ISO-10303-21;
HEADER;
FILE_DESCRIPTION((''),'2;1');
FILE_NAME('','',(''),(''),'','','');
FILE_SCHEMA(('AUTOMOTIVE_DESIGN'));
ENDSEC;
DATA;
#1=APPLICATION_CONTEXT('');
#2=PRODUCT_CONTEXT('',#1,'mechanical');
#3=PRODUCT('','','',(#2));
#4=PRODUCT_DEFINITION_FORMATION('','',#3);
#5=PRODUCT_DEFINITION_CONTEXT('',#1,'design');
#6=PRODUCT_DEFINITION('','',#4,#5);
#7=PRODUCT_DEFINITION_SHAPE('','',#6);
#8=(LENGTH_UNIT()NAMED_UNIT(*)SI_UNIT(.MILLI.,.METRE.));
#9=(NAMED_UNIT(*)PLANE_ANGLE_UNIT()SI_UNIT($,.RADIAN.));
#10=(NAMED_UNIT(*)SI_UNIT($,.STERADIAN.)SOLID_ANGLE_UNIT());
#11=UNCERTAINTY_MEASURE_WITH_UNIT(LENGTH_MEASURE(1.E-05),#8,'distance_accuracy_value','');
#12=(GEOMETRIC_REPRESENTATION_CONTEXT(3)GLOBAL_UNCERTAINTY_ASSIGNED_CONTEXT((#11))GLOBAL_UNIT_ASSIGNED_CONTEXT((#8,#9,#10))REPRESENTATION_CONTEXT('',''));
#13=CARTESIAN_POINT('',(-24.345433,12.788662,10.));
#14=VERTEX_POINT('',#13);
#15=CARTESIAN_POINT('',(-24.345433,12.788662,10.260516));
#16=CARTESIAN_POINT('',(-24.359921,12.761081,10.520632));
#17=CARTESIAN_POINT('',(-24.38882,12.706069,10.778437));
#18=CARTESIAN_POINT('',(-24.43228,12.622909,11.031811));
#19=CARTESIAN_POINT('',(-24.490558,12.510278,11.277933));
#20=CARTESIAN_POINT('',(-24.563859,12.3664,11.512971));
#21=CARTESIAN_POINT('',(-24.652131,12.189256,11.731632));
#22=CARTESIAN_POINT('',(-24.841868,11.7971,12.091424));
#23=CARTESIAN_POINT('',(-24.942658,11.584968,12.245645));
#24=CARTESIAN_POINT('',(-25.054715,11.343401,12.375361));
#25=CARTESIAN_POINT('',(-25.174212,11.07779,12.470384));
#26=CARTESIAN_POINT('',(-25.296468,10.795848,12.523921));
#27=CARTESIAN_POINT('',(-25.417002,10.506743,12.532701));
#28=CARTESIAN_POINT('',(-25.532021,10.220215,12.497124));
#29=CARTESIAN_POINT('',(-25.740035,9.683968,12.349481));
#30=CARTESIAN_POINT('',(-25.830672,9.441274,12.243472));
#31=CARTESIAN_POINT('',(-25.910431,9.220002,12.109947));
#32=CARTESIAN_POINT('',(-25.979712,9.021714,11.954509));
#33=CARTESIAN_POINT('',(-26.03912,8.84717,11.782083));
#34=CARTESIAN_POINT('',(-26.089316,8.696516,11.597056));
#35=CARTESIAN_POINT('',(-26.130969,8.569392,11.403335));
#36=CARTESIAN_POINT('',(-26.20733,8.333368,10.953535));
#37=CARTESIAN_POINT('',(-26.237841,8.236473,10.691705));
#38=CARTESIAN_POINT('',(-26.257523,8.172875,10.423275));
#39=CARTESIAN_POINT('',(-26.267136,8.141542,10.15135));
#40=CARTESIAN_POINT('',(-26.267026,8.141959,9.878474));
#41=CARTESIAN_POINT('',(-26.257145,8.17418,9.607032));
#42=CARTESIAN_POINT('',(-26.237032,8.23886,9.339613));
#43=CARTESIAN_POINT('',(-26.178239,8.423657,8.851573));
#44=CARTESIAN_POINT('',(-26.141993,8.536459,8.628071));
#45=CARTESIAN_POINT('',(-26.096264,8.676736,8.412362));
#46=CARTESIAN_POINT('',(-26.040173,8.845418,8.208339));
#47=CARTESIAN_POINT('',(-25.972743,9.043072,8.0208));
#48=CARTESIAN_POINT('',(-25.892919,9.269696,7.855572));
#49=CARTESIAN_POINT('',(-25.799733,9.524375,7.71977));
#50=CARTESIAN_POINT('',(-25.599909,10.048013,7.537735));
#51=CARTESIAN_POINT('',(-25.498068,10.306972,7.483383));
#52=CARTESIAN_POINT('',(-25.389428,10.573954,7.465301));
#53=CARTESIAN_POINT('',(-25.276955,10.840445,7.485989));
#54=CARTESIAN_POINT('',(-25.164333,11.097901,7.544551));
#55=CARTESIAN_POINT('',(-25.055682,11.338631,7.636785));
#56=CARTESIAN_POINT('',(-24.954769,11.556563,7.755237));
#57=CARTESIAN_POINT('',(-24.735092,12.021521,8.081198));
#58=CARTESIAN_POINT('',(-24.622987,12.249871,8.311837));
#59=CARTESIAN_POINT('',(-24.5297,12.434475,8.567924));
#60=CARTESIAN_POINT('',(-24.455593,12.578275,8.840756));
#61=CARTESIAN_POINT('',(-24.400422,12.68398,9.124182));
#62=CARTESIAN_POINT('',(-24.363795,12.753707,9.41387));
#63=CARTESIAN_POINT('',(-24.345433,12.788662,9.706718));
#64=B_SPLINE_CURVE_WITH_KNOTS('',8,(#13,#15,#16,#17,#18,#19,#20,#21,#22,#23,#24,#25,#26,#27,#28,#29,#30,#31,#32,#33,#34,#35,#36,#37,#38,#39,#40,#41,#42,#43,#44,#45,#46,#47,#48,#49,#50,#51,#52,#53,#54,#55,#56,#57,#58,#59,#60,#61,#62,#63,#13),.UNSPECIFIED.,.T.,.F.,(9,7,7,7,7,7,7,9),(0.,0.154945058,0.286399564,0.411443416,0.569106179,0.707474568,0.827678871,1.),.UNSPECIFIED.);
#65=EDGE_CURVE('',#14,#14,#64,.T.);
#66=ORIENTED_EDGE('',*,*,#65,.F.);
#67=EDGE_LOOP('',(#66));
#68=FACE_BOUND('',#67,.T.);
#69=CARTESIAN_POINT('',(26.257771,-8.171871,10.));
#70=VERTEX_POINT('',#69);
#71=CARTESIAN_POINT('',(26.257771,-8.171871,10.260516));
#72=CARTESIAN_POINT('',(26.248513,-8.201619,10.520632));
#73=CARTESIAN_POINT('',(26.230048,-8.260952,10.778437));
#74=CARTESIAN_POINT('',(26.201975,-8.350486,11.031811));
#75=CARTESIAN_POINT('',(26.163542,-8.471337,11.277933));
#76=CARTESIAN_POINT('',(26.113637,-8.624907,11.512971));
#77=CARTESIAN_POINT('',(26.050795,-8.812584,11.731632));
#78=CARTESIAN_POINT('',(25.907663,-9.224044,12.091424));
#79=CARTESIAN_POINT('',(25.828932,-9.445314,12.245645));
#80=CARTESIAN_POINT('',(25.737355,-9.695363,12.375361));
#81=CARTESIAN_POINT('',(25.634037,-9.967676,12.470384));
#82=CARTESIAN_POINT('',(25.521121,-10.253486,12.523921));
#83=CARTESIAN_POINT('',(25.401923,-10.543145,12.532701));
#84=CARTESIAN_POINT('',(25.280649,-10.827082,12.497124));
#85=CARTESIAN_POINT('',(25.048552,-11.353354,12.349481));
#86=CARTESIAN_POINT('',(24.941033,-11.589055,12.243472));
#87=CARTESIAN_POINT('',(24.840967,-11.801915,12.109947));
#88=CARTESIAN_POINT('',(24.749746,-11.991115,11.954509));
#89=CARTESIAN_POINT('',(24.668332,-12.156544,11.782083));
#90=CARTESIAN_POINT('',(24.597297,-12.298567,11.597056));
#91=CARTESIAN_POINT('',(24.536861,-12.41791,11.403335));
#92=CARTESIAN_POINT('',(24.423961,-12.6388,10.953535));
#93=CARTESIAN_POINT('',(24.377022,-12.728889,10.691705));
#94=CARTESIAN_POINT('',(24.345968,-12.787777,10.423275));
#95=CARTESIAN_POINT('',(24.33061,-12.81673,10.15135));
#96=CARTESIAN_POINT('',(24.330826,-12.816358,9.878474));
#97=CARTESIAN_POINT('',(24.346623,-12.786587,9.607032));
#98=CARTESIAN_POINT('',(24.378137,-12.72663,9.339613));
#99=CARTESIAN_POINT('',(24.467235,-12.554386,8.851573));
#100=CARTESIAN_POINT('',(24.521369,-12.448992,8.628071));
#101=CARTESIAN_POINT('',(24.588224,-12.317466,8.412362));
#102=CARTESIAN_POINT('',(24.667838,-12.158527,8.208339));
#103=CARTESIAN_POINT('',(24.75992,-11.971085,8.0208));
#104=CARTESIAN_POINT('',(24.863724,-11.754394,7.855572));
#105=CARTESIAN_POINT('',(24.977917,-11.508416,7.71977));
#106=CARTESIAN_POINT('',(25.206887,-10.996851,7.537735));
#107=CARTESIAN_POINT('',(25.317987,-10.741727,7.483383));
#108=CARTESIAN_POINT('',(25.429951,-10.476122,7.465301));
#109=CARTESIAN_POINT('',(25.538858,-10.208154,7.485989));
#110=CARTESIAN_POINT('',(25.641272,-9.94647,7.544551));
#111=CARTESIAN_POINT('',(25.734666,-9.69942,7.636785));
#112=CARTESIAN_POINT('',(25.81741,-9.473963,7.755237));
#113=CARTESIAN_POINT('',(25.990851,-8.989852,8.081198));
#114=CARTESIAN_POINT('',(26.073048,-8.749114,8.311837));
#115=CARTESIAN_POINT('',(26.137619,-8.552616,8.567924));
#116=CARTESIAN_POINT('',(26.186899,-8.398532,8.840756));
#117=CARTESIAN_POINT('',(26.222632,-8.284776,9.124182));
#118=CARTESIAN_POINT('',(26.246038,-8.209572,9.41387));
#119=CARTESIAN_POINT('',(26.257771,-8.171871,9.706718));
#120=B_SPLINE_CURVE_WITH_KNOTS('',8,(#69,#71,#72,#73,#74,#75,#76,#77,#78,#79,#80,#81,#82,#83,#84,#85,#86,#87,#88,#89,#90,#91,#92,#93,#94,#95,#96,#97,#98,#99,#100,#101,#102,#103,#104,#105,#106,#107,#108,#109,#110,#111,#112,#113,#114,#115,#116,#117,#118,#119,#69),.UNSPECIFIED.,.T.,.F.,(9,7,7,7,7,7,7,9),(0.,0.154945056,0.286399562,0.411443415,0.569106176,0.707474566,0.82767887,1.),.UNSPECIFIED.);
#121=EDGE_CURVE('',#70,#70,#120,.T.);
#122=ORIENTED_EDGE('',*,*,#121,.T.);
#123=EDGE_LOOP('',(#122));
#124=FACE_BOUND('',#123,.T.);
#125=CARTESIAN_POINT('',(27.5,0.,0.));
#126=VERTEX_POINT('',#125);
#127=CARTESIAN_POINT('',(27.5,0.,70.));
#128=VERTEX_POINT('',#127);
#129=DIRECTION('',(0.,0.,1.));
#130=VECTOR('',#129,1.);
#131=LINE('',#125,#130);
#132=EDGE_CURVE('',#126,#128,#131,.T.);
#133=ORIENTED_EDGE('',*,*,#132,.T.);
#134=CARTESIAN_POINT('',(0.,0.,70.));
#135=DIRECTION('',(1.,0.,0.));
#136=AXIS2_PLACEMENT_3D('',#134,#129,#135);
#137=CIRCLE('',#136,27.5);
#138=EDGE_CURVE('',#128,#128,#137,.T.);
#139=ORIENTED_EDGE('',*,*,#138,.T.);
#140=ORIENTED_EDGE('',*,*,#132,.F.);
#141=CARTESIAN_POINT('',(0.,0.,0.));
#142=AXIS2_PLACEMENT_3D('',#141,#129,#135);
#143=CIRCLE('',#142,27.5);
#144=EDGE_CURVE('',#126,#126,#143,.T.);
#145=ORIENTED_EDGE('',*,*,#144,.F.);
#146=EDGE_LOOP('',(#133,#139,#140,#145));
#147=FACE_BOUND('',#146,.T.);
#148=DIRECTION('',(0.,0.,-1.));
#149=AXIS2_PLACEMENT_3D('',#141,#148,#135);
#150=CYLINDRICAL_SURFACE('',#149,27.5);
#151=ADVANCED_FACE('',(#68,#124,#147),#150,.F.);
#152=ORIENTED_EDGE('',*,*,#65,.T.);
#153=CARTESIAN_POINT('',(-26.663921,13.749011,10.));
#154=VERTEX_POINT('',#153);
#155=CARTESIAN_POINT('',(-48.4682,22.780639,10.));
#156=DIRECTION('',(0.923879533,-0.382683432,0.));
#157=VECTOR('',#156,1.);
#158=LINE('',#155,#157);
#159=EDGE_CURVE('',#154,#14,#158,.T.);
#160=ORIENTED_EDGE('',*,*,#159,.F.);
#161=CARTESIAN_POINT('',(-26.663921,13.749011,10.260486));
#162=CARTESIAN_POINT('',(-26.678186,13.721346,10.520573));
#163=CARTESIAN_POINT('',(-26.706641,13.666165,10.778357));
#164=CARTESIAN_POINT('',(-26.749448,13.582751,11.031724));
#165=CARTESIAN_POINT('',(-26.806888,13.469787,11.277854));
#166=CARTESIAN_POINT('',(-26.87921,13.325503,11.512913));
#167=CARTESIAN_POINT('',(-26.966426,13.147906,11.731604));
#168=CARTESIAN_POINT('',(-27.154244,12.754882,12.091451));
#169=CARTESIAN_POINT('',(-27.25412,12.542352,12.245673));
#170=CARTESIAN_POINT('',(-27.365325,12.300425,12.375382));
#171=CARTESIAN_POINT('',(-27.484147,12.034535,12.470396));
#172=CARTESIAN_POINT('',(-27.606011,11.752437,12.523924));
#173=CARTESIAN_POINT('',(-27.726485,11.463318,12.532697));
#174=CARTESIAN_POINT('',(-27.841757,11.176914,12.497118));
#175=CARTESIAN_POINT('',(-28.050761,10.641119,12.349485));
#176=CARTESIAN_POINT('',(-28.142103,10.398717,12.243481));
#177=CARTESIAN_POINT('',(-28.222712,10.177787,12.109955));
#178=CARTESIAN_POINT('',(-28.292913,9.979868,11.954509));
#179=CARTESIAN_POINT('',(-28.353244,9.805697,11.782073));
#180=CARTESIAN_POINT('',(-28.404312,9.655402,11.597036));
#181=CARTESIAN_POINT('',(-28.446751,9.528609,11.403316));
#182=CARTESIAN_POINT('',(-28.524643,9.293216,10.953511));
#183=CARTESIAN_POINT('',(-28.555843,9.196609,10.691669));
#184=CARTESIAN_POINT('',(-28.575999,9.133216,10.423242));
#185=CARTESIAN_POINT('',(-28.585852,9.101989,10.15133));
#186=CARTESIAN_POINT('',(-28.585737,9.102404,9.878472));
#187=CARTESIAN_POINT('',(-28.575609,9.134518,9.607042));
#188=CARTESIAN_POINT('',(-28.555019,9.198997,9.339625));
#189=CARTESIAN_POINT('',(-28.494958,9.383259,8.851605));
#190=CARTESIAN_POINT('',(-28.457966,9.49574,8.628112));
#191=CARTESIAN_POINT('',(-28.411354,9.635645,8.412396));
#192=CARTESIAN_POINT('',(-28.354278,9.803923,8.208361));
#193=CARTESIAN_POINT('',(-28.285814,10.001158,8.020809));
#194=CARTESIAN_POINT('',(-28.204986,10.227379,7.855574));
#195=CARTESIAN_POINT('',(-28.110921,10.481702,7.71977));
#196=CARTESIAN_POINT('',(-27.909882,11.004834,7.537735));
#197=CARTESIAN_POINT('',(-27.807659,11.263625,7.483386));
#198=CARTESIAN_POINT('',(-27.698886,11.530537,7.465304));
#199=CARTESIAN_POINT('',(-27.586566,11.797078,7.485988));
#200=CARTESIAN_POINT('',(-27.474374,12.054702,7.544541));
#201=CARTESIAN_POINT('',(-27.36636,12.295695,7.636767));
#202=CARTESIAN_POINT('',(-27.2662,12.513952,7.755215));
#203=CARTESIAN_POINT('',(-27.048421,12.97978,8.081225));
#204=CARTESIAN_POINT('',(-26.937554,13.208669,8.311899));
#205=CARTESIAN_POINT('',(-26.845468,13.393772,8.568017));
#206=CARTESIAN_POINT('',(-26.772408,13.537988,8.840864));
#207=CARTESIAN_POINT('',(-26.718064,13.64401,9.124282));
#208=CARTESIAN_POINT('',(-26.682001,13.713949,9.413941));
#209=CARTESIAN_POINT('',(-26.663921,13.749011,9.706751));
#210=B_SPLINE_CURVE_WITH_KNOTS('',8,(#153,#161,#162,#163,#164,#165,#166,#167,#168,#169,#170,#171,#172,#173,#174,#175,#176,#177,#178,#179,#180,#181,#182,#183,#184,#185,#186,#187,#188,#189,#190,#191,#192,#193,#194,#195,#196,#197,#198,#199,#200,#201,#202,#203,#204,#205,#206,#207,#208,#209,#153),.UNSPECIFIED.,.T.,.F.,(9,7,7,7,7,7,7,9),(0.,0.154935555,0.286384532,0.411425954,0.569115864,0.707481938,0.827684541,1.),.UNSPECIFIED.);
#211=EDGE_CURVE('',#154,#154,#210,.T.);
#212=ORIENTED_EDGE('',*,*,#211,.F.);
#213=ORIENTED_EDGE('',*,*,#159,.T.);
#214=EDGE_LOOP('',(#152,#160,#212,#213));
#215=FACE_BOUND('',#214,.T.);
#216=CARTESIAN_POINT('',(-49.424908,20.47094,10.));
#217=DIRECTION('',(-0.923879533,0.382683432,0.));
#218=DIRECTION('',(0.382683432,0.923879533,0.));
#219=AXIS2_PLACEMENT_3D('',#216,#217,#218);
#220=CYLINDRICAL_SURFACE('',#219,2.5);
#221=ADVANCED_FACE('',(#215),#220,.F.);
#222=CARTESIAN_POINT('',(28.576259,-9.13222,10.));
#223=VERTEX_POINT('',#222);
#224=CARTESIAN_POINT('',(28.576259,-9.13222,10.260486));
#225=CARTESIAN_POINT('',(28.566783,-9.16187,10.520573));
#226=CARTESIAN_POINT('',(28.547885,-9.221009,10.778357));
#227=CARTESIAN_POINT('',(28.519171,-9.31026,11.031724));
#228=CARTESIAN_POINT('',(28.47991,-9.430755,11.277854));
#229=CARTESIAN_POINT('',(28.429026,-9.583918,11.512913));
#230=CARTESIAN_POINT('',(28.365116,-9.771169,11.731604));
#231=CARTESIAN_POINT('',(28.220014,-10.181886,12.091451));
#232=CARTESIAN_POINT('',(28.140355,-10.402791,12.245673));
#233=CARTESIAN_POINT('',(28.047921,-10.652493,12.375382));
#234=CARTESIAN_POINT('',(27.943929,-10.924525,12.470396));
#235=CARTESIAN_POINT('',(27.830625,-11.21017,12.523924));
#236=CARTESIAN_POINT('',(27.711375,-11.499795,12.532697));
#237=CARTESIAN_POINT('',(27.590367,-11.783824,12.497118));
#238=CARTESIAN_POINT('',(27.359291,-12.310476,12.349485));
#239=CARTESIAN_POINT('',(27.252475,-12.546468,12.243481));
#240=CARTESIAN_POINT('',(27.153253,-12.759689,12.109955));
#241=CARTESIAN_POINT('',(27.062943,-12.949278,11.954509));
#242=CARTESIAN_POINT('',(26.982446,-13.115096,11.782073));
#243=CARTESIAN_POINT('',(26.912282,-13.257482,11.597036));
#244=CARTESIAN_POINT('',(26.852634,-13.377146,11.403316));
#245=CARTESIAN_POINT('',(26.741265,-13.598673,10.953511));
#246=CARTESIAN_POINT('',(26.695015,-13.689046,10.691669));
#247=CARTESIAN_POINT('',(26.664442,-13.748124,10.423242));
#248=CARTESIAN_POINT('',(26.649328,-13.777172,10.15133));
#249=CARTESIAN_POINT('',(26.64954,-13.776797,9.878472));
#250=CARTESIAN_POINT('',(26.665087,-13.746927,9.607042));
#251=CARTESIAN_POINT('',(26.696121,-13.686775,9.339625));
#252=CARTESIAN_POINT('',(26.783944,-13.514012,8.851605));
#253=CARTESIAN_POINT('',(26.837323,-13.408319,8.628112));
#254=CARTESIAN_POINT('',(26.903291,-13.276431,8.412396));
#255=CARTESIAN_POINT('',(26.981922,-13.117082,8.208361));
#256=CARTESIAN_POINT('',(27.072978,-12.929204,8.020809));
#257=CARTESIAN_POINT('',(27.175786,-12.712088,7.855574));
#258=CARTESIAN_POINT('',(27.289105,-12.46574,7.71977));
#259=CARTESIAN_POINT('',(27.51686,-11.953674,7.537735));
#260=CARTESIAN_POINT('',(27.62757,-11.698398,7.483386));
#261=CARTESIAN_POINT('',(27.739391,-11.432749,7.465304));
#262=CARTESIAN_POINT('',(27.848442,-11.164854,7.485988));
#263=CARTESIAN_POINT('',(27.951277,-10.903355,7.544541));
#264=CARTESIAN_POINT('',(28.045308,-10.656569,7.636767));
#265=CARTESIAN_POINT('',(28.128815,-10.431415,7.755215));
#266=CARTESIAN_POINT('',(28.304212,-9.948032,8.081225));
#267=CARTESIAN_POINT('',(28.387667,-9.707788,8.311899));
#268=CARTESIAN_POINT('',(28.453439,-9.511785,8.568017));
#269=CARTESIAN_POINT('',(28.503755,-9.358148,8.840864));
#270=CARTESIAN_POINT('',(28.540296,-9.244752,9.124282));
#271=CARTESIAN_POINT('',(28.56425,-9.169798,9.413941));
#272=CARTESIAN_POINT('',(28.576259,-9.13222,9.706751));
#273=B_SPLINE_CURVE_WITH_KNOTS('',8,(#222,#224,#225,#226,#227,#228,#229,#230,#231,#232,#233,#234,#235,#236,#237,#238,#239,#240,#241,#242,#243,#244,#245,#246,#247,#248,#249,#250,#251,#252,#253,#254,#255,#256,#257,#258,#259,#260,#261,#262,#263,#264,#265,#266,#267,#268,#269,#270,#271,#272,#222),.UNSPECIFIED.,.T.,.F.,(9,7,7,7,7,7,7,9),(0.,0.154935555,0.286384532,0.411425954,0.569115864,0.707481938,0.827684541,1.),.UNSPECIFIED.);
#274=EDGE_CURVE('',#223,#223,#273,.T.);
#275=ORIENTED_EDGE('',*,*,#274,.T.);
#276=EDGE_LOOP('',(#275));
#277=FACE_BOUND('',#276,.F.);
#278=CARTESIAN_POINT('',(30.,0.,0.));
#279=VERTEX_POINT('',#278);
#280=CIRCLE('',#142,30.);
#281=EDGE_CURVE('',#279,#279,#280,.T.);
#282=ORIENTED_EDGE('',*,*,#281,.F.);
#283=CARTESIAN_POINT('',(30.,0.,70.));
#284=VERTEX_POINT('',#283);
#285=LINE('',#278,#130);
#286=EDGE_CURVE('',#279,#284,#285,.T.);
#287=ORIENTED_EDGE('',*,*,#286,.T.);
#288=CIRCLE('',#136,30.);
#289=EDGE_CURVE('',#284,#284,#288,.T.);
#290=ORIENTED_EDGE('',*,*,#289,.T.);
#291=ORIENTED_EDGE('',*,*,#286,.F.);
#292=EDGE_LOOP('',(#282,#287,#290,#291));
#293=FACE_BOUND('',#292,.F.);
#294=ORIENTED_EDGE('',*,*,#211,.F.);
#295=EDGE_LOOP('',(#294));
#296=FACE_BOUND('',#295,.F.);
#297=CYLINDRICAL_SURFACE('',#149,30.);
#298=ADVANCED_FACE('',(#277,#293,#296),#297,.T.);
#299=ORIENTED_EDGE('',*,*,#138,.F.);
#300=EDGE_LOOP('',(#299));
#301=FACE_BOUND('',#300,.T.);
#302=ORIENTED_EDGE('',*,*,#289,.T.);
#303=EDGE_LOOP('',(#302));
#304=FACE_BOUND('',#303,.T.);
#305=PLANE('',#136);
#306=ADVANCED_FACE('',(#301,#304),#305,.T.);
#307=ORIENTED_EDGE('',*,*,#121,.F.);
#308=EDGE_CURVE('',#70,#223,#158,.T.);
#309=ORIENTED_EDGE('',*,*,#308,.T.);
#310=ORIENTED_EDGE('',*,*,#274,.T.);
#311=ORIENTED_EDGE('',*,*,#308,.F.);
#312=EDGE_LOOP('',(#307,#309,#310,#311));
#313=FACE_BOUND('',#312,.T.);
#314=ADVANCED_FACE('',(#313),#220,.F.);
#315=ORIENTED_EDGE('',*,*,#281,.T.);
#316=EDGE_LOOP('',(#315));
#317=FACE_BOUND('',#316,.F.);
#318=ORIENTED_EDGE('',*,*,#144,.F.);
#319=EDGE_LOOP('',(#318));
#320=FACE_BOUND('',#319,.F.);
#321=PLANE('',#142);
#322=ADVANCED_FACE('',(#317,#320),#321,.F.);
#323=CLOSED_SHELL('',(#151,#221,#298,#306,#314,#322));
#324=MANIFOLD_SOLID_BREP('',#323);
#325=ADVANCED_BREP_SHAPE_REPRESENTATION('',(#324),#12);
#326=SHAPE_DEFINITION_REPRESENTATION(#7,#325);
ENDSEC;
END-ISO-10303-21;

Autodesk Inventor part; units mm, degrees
ref_plane "YZ Plane" through (0, 0, 0) normal (1, 0, 0) x (0, 1, 0)
ref_plane "XZ Plane" through (0, 0, 0) normal (0, 1, 0) x (-1, 0, 0)
ref_plane "XY Plane" through (0, 0, 0) normal (0, 0, 1) x (1, 0, 0)
sketch "Sketch1" plane through (0, 0, 0) normal (0, 0, 1) x (1, 0, 0)
  circle A0 centre (0, 0) radius 27.5
  circle A1 centre (0, 0) radius 30
  dimension "d0" = 55
  dimension "d1" = 60
extrude "Extrusion1" add sketch "Sketch1" along normal blind 70
ref_plane "Work Plane1" through (-98.6132, -98.2801, 30) normal (0.9239, -0.3827, 0) x (0.3827, 0.9239, 0)
ref_plane "Work Plane2" through (-98.6132, -98.2801, 30) normal (0.9239, -0.3827, 0) x (0.3827, 0.9239, 0)
sketch "Sketch2" plane through (-98.6132, -98.2801, 30) normal (0.9239, -0.3827, 0) x (0.3827, 0.9239, 0)
  circle A0 centre (128.5352, -20) radius 2.5
  line L0 (158.5352, -30) -> (98.5352, -30) projected
  point P0 (128.5352, -30)
  dimension "d4" = 5
  dimension "d5" = 10
extrude "Extrusion2" cut sketch "Sketch2" along normal through all
equation "\"ProductBaseHeight\" = 35"
equation "\"GridProcutClearance\" = 3"
equation "\"GridBorderThickness\" = 5"
equation "\"GridBorderFillets\" = 7"
equation "\"GridTotalSize\" = 63"
equation "\"BaseTotalWidth\" = 352"
